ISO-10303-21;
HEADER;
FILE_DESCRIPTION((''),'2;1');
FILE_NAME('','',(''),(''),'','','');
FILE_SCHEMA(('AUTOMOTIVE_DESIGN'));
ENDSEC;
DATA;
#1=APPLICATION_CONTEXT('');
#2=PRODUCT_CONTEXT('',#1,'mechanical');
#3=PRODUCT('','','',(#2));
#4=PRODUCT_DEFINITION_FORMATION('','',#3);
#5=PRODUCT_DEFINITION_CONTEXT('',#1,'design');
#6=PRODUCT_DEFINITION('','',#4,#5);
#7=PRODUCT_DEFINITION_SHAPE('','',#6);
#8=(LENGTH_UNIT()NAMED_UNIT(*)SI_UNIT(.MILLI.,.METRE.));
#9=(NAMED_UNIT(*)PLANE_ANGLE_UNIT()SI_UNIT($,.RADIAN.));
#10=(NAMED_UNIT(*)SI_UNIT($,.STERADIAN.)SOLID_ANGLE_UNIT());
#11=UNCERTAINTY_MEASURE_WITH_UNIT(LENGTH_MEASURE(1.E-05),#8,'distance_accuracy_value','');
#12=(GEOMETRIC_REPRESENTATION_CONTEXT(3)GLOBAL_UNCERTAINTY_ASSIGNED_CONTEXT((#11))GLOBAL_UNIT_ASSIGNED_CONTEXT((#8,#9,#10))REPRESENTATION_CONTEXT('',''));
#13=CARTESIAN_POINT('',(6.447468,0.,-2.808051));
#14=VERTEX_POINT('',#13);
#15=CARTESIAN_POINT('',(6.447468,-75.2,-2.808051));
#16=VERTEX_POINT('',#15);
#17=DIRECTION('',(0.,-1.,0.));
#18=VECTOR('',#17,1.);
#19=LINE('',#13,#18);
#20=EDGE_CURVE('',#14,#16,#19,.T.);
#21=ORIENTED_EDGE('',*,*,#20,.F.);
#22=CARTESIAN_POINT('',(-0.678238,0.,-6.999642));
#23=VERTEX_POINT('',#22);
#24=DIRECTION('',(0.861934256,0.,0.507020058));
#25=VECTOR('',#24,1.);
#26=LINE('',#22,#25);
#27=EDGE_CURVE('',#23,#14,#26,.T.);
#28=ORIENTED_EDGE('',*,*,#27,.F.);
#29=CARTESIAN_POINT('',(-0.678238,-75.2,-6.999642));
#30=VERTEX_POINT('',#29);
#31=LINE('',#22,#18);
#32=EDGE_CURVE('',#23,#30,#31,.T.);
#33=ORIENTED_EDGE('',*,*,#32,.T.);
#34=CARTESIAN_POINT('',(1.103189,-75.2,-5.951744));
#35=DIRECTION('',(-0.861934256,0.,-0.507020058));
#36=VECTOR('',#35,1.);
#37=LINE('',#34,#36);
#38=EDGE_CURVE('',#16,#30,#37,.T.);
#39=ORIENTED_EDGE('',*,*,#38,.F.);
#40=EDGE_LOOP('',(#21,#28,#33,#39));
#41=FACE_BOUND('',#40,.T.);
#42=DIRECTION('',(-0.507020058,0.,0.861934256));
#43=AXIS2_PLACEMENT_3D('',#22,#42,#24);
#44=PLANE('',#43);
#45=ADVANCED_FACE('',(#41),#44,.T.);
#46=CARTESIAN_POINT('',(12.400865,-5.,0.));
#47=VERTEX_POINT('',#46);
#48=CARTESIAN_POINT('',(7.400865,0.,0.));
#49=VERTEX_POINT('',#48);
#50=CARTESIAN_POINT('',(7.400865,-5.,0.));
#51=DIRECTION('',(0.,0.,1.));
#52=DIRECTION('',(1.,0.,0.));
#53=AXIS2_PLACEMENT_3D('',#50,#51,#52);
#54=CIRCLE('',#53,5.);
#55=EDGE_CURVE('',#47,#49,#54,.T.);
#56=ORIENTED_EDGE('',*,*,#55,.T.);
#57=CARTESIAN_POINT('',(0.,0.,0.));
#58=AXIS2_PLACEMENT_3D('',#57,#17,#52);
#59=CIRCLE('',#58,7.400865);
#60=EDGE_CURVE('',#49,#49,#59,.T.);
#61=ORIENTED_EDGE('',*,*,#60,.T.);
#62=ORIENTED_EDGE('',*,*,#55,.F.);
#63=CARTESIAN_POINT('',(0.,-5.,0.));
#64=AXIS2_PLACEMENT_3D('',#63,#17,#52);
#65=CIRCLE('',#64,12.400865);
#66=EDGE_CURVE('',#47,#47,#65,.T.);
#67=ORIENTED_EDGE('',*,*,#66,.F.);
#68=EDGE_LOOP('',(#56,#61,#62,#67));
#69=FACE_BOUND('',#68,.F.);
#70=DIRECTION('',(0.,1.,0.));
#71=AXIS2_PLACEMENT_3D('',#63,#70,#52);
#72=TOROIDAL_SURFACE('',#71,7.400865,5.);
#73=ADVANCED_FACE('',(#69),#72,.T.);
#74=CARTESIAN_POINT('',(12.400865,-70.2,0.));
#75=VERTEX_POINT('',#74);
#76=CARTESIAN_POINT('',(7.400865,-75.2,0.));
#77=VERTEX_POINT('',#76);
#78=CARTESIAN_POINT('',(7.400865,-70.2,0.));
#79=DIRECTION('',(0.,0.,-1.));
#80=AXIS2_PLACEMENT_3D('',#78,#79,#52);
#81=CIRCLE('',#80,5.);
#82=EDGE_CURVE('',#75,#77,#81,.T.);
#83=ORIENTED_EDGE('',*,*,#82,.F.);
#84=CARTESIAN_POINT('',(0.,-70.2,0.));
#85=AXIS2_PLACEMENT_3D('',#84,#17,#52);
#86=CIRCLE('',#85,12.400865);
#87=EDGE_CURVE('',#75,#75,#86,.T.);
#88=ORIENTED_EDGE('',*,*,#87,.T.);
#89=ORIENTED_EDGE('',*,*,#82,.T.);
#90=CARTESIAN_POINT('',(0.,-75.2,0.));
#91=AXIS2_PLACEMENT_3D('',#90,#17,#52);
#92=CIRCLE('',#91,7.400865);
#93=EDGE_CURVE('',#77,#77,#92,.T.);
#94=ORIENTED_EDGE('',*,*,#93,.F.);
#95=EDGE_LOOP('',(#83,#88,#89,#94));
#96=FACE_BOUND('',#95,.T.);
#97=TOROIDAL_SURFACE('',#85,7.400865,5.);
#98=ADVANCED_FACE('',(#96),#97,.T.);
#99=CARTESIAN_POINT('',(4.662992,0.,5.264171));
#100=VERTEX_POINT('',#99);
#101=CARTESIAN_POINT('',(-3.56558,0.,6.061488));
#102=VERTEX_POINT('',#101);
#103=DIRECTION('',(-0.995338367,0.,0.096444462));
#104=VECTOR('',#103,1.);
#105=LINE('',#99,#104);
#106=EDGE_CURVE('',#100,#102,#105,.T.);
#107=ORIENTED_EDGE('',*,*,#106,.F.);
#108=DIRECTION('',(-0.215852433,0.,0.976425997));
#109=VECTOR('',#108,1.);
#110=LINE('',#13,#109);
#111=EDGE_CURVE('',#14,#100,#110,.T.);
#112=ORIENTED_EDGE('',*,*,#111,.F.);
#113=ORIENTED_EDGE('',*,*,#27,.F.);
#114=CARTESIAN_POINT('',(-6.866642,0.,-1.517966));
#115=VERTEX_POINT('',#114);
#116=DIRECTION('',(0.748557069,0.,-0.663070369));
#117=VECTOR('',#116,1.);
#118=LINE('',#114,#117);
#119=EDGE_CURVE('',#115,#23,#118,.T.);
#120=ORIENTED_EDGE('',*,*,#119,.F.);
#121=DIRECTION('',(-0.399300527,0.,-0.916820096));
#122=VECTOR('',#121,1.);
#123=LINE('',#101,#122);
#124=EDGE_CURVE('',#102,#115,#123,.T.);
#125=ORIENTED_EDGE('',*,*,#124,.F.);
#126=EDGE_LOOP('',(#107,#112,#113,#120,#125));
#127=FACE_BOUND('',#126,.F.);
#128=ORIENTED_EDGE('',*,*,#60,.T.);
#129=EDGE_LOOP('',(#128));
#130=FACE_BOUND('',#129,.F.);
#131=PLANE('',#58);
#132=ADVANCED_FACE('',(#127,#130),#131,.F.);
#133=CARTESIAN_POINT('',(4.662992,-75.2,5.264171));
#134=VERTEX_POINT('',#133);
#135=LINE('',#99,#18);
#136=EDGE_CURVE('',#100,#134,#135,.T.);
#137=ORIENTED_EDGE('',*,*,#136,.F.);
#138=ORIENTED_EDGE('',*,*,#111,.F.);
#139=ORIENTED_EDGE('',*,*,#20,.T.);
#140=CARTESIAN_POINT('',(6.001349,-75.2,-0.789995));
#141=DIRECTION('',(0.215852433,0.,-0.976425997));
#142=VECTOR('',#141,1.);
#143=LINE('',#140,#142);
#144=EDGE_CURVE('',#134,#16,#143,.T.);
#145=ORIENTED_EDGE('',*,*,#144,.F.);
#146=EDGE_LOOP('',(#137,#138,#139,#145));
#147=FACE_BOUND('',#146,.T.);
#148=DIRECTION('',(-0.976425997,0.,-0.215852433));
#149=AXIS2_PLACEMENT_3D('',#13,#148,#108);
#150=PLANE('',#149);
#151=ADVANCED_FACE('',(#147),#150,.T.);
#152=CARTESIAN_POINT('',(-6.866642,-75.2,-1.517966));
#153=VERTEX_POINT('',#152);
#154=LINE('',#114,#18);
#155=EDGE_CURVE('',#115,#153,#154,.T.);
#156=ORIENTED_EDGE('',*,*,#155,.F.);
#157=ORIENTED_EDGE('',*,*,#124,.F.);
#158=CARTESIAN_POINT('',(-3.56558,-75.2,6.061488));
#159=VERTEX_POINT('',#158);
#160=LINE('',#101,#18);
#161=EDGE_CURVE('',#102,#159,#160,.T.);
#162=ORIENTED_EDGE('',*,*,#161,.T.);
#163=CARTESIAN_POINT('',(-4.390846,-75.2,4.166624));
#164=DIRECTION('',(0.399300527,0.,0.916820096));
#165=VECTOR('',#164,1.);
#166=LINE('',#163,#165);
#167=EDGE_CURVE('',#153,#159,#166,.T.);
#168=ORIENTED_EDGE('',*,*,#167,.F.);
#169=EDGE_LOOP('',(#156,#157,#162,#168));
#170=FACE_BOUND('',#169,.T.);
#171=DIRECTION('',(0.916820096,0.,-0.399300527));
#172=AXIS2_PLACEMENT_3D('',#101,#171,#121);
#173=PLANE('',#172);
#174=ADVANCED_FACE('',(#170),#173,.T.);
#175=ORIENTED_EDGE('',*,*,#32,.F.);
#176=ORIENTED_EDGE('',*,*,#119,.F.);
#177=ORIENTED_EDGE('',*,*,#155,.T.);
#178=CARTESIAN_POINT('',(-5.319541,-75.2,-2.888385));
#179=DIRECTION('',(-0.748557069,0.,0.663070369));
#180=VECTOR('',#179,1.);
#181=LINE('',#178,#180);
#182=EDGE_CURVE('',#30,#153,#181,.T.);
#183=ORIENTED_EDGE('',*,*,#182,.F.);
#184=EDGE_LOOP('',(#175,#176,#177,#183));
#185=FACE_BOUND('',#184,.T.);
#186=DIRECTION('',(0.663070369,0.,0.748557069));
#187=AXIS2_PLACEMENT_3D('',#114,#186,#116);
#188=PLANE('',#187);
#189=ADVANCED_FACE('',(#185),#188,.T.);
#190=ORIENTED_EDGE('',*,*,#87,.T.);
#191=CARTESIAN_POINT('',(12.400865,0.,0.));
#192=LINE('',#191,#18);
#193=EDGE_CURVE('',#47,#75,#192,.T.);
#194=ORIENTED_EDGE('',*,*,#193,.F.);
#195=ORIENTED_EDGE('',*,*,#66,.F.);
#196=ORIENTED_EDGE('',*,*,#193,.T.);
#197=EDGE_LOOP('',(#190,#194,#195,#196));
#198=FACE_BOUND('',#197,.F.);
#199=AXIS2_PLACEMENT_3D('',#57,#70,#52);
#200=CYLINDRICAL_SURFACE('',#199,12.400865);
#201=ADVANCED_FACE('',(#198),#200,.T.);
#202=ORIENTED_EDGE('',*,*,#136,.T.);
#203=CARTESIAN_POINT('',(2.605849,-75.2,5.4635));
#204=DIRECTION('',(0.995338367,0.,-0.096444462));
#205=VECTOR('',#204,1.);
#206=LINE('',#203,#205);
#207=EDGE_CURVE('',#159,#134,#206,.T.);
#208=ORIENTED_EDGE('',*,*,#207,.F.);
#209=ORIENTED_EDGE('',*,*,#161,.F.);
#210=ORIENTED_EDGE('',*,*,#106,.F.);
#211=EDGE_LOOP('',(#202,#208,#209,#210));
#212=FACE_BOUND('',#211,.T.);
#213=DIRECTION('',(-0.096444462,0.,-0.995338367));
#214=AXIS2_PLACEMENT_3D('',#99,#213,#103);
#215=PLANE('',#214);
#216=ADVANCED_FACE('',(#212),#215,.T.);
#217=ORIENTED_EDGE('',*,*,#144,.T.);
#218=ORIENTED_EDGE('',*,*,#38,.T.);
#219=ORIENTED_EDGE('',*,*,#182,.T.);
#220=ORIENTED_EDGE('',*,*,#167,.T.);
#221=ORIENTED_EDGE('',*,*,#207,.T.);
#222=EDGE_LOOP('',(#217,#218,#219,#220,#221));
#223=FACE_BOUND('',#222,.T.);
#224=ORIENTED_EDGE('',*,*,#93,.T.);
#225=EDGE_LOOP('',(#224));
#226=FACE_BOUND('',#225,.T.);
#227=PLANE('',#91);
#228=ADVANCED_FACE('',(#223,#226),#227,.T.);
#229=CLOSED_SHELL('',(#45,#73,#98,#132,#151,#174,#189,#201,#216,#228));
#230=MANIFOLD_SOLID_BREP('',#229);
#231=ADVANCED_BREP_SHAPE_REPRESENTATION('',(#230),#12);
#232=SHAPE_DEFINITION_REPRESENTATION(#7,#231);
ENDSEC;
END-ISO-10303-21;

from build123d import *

# Parameters (mm, degrees)
F0_R     = 12.400865
F1_DEPTH = 75.2
F2_R     = 5
F4_DEPTH = 95


with BuildPart() as f1:
    # F0 (on Front) → F1 (new body)
    with BuildSketch(Plane.XZ):
        Circle(F0_R)
    extrude(amount=F1_DEPTH)

    # F2
    f2_edges = [f1.edges().sort_by_distance(p)[0] for p in [
        (-12.400865, -75.2, 0),
        (12.400865, -37.6, 0),
        (-12.400865, 0, 0),
    ]]
    fillet(f2_edges, radius=F2_R)

    # F3 (on Front) → F4 (cut)
    with BuildSketch(Plane.XZ):
        Polygon((-0.678238, -6.999642), (6.447468, -2.808051), (4.662992, 5.264171), (-3.56558, 6.061488), (-6.866642, -1.517966), align=None)
    extrude(amount=F4_DEPTH, mode=Mode.SUBTRACT)


solid = f1.part
